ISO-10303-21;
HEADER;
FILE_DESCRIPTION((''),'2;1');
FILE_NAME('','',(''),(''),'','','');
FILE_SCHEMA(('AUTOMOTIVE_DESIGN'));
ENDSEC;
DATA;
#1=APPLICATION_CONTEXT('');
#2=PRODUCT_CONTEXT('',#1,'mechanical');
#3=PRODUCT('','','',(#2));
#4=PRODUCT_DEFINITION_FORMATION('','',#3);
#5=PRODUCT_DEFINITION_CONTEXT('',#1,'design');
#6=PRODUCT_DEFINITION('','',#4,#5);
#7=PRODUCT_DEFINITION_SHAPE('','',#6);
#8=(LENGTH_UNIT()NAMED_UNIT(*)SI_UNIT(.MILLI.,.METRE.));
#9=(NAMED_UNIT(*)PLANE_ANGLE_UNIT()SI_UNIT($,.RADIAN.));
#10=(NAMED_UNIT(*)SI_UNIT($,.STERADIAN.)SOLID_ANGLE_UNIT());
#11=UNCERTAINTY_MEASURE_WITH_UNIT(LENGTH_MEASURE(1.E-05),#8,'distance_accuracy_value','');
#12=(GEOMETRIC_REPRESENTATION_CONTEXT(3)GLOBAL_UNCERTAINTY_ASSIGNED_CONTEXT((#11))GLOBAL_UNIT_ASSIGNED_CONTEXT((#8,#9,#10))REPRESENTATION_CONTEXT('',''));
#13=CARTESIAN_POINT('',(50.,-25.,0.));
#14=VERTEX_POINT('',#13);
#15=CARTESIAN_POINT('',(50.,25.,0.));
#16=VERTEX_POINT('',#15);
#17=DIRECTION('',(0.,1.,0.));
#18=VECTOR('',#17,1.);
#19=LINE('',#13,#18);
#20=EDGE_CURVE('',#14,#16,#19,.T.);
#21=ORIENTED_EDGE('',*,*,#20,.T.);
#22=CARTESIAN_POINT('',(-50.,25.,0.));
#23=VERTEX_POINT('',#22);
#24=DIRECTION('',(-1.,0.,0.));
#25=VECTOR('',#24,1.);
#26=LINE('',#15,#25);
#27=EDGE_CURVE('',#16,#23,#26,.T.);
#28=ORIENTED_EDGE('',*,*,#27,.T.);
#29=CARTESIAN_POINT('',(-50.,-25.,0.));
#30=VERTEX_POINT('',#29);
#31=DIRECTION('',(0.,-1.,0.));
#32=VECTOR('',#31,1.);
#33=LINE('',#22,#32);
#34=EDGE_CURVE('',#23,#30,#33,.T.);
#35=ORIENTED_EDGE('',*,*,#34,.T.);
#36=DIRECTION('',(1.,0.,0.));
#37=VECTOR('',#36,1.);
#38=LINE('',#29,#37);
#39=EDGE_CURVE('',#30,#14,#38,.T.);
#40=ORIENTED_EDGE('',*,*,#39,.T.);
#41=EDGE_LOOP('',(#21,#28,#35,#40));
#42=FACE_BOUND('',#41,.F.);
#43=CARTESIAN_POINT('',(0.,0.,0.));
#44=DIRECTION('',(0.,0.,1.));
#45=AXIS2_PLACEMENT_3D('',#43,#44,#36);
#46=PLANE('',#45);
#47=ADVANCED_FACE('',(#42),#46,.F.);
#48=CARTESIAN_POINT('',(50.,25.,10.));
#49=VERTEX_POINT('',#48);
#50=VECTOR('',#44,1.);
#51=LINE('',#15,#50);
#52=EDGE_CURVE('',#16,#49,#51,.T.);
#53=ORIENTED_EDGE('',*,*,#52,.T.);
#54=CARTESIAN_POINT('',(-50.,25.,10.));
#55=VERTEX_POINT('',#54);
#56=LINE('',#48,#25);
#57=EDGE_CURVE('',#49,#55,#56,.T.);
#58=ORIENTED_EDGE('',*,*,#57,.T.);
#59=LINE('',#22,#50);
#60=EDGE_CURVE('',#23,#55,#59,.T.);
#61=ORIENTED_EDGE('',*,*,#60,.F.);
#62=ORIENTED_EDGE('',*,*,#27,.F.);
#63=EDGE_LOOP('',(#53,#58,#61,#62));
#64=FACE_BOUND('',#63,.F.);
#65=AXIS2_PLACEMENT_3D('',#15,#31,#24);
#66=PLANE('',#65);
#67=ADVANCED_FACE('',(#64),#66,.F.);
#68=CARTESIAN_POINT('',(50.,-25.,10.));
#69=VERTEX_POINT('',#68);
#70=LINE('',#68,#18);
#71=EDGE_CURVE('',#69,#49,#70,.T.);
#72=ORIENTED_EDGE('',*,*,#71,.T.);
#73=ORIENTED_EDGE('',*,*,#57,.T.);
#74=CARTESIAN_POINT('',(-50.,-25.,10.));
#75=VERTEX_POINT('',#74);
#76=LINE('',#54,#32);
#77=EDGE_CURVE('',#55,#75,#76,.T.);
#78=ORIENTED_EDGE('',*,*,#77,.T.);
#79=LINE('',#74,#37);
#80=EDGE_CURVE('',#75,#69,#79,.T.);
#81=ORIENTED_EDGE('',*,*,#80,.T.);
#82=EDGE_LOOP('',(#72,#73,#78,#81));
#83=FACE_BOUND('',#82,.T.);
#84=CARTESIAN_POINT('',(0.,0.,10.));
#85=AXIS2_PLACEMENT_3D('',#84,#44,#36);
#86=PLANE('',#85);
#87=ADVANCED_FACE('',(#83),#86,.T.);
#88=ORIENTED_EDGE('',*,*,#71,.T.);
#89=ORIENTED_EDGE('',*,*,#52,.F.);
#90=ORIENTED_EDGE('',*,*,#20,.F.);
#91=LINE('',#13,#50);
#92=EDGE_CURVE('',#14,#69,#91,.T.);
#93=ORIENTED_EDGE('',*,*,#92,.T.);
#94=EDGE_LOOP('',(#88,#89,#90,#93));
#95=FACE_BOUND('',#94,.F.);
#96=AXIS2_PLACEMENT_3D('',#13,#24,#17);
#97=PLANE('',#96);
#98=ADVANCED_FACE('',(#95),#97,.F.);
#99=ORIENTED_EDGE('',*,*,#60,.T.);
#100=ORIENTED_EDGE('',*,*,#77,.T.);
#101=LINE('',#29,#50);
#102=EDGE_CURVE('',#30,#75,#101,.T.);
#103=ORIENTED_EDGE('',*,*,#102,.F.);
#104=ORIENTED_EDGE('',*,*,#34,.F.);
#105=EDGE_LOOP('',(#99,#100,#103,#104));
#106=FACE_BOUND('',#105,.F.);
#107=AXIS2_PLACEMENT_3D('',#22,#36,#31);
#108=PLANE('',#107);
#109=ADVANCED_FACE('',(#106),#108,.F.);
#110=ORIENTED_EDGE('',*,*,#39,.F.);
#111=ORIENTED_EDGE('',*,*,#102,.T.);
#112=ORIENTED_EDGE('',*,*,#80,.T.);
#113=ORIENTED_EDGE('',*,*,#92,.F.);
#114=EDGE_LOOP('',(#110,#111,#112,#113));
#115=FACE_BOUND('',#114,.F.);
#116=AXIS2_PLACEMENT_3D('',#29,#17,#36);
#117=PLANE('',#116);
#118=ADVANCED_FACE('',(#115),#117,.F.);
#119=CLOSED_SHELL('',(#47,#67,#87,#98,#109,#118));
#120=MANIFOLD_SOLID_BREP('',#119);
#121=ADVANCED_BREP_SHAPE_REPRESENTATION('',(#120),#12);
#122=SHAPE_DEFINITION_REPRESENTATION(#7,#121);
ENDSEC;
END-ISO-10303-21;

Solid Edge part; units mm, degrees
sketch "Sketch1" plane through (0, 0, 0) normal (0, 0, 1) x (1, 0, 0)
  line L0 (-50, -25) -> (50, -25)
  line L1 (50, -25) -> (50, 25)
  line L2 (50, 25) -> (-50, 25)
  line L3 (-50, 25) -> (-50, -25)
  dimension "D1" = 100
  dimension "D2" = 50
extrude "Protrusion1" add sketch "Sketch1" along normal blind 10
